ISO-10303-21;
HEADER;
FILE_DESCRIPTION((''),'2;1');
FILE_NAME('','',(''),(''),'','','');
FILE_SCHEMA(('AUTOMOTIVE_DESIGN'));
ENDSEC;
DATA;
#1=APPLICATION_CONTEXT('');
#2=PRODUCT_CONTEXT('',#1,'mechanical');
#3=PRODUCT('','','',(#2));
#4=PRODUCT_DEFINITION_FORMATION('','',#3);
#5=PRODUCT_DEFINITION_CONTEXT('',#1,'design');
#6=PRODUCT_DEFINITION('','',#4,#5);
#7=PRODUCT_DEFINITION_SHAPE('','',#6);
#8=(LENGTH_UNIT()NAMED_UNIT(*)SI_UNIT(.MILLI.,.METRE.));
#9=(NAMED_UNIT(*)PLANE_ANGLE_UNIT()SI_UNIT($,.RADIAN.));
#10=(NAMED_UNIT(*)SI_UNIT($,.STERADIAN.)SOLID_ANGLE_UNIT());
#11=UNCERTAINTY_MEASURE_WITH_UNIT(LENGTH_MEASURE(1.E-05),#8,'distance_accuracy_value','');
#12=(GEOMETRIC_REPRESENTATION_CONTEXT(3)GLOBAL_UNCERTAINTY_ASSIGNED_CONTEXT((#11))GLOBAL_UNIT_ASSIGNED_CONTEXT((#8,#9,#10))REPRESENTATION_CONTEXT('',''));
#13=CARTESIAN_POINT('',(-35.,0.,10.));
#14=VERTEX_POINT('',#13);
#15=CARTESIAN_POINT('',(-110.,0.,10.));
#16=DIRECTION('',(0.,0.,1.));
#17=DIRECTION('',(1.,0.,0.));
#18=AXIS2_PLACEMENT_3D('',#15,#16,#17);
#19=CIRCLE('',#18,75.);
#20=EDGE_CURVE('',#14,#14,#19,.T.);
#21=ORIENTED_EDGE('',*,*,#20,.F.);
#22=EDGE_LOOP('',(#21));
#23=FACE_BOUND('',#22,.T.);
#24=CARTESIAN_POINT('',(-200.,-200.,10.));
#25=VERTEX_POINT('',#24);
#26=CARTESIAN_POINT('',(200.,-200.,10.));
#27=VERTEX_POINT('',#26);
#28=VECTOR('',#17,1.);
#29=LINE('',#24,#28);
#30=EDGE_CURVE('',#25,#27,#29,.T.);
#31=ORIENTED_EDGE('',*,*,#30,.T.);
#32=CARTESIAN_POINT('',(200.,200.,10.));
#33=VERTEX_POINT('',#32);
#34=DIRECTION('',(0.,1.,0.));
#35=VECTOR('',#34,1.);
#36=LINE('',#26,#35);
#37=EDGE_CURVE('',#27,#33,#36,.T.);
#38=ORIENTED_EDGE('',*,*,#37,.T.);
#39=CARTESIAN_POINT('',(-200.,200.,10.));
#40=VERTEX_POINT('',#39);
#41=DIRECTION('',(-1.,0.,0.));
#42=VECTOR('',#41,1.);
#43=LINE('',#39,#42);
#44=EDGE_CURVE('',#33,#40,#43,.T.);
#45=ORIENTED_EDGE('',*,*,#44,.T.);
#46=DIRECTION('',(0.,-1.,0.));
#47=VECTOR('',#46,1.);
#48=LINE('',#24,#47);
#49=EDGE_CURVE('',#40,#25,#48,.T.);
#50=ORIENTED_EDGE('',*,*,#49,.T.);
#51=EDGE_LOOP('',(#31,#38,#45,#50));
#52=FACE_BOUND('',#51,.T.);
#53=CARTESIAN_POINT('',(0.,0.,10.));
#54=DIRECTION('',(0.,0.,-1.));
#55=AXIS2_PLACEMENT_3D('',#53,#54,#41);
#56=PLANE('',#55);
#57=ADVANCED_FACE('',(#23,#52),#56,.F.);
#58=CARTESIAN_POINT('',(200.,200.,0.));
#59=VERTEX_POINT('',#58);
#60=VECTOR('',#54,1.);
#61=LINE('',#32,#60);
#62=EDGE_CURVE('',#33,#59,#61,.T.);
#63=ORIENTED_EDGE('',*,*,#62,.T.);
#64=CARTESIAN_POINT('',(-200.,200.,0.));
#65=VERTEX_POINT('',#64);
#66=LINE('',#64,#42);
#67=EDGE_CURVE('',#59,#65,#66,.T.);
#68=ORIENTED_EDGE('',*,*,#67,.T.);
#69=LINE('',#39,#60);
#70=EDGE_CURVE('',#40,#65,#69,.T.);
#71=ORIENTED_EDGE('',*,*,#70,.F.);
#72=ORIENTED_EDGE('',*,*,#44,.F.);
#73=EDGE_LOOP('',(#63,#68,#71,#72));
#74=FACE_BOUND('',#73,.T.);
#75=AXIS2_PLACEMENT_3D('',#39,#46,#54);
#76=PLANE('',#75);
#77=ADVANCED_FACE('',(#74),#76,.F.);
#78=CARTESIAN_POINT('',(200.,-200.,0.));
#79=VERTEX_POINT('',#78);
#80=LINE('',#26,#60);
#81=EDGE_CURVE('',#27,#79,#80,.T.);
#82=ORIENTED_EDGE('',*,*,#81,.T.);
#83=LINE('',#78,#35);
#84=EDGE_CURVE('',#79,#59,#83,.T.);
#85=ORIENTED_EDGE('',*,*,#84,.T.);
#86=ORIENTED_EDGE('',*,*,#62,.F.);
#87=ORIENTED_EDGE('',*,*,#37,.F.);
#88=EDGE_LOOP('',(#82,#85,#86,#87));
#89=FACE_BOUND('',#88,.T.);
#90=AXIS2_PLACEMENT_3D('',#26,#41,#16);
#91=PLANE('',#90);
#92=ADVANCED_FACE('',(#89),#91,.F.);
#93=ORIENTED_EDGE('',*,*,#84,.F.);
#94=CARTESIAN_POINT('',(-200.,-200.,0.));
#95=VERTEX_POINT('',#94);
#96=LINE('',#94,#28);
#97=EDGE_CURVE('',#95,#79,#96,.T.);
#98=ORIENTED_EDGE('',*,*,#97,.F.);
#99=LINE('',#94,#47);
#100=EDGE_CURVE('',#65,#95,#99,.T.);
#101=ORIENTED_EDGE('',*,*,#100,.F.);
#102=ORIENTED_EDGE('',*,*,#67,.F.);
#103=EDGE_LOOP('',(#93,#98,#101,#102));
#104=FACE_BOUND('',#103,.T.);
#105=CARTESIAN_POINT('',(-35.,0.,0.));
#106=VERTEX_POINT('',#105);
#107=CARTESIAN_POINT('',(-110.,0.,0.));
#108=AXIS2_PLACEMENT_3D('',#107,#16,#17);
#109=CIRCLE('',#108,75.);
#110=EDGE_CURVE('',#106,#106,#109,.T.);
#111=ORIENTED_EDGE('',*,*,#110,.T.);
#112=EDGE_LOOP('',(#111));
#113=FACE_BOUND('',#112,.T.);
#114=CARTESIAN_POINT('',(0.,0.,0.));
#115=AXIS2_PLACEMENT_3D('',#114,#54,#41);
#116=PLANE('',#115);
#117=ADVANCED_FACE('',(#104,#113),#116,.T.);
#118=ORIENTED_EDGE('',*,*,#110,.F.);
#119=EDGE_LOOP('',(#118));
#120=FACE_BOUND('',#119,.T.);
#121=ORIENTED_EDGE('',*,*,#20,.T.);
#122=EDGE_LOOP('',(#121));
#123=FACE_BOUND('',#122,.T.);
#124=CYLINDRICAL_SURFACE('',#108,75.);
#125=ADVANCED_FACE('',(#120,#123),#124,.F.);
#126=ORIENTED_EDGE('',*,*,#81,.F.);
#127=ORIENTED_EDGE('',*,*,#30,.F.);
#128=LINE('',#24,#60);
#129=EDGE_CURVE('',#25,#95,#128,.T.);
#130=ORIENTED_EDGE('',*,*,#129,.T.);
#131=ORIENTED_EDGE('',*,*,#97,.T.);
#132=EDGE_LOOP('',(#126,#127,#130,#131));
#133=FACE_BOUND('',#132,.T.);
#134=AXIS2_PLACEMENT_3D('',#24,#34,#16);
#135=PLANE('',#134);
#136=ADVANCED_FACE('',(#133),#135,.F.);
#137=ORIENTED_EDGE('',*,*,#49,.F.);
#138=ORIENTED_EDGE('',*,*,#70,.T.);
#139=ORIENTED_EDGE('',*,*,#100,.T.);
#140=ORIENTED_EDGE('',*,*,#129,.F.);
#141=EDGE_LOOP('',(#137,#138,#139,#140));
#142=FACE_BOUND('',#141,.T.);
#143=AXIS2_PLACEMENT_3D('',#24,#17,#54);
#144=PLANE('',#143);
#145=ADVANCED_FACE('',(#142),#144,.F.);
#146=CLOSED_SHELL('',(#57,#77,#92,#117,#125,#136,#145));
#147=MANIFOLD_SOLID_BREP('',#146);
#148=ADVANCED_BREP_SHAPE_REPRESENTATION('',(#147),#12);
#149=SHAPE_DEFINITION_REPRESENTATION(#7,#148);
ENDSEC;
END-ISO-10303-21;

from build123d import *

# Parameters (mm, degrees)
SKETCH_1_W          = 400
SKETCH_1_H          = 400
EXTRUDE_1_DEPTH     = 10
SKETCH_2_R          = 75
CUT_EXTRUDE_1_DEPTH = 284.019433962


with BuildPart() as part:
    # 草图1 → 凸台-拉伸1 (new body)
    with BuildSketch(Plane.XY):
        Rectangle(SKETCH_1_W, SKETCH_1_H)
    extrude(amount=EXTRUDE_1_DEPTH)

    # 草图2 → 切除-拉伸1 (cut, through all)
    with BuildSketch(Plane.XY.offset(10)):
        with Locations((-110, 0)):
            Circle(SKETCH_2_R)
    extrude(amount=-CUT_EXTRUDE_1_DEPTH, mode=Mode.SUBTRACT)


solid = part.part
